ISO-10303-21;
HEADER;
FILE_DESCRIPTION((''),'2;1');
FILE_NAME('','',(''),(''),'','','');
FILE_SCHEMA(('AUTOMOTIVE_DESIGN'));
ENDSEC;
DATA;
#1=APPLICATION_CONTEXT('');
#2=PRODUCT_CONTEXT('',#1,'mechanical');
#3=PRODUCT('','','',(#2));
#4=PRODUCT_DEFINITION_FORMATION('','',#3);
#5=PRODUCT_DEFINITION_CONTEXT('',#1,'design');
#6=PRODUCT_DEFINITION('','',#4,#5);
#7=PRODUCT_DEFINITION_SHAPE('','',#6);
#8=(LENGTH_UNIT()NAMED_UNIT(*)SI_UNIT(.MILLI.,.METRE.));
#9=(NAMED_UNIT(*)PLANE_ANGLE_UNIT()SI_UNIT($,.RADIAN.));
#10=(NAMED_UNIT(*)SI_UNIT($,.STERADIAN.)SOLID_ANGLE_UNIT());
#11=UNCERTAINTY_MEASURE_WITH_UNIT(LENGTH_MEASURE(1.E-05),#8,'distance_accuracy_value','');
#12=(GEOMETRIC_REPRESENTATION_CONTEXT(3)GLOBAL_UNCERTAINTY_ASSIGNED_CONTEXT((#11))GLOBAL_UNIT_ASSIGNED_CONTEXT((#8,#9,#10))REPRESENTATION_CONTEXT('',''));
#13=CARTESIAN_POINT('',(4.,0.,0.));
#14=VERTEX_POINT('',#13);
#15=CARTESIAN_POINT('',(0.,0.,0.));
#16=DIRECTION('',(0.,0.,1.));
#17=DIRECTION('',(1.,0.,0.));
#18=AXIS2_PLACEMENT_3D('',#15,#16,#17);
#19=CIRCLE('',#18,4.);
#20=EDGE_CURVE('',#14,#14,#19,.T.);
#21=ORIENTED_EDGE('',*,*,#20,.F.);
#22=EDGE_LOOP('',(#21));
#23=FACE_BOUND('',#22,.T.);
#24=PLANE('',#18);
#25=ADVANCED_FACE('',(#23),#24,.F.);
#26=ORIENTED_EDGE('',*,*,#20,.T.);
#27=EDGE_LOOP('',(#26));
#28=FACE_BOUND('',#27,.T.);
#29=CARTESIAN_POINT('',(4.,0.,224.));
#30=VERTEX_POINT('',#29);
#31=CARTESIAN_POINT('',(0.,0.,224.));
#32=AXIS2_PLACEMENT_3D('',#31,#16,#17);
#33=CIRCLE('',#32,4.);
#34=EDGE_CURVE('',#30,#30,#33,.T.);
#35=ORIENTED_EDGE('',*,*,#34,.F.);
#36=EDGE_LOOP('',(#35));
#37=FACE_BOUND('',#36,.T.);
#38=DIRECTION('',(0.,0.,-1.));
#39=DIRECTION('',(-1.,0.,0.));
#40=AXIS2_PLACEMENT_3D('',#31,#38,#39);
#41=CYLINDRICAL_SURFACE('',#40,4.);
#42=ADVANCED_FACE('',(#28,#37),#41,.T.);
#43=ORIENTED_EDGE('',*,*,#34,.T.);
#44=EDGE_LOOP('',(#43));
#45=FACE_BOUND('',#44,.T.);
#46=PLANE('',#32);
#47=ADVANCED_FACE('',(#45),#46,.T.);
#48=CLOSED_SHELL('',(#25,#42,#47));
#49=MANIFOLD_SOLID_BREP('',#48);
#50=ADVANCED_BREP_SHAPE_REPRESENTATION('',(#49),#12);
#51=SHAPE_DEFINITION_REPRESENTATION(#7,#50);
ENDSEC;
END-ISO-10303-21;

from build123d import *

# Parameters (mm, degrees)
ESQUISSE1_R        = 4
BOSS_EXTRU_1_DEPTH = 224


with BuildPart() as part:
    # Esquisse1 → Boss.-Extru.1 (new body)
    with BuildSketch(Plane.XY):
        Circle(ESQUISSE1_R)
    extrude(amount=BOSS_EXTRU_1_DEPTH)


solid = part.part
